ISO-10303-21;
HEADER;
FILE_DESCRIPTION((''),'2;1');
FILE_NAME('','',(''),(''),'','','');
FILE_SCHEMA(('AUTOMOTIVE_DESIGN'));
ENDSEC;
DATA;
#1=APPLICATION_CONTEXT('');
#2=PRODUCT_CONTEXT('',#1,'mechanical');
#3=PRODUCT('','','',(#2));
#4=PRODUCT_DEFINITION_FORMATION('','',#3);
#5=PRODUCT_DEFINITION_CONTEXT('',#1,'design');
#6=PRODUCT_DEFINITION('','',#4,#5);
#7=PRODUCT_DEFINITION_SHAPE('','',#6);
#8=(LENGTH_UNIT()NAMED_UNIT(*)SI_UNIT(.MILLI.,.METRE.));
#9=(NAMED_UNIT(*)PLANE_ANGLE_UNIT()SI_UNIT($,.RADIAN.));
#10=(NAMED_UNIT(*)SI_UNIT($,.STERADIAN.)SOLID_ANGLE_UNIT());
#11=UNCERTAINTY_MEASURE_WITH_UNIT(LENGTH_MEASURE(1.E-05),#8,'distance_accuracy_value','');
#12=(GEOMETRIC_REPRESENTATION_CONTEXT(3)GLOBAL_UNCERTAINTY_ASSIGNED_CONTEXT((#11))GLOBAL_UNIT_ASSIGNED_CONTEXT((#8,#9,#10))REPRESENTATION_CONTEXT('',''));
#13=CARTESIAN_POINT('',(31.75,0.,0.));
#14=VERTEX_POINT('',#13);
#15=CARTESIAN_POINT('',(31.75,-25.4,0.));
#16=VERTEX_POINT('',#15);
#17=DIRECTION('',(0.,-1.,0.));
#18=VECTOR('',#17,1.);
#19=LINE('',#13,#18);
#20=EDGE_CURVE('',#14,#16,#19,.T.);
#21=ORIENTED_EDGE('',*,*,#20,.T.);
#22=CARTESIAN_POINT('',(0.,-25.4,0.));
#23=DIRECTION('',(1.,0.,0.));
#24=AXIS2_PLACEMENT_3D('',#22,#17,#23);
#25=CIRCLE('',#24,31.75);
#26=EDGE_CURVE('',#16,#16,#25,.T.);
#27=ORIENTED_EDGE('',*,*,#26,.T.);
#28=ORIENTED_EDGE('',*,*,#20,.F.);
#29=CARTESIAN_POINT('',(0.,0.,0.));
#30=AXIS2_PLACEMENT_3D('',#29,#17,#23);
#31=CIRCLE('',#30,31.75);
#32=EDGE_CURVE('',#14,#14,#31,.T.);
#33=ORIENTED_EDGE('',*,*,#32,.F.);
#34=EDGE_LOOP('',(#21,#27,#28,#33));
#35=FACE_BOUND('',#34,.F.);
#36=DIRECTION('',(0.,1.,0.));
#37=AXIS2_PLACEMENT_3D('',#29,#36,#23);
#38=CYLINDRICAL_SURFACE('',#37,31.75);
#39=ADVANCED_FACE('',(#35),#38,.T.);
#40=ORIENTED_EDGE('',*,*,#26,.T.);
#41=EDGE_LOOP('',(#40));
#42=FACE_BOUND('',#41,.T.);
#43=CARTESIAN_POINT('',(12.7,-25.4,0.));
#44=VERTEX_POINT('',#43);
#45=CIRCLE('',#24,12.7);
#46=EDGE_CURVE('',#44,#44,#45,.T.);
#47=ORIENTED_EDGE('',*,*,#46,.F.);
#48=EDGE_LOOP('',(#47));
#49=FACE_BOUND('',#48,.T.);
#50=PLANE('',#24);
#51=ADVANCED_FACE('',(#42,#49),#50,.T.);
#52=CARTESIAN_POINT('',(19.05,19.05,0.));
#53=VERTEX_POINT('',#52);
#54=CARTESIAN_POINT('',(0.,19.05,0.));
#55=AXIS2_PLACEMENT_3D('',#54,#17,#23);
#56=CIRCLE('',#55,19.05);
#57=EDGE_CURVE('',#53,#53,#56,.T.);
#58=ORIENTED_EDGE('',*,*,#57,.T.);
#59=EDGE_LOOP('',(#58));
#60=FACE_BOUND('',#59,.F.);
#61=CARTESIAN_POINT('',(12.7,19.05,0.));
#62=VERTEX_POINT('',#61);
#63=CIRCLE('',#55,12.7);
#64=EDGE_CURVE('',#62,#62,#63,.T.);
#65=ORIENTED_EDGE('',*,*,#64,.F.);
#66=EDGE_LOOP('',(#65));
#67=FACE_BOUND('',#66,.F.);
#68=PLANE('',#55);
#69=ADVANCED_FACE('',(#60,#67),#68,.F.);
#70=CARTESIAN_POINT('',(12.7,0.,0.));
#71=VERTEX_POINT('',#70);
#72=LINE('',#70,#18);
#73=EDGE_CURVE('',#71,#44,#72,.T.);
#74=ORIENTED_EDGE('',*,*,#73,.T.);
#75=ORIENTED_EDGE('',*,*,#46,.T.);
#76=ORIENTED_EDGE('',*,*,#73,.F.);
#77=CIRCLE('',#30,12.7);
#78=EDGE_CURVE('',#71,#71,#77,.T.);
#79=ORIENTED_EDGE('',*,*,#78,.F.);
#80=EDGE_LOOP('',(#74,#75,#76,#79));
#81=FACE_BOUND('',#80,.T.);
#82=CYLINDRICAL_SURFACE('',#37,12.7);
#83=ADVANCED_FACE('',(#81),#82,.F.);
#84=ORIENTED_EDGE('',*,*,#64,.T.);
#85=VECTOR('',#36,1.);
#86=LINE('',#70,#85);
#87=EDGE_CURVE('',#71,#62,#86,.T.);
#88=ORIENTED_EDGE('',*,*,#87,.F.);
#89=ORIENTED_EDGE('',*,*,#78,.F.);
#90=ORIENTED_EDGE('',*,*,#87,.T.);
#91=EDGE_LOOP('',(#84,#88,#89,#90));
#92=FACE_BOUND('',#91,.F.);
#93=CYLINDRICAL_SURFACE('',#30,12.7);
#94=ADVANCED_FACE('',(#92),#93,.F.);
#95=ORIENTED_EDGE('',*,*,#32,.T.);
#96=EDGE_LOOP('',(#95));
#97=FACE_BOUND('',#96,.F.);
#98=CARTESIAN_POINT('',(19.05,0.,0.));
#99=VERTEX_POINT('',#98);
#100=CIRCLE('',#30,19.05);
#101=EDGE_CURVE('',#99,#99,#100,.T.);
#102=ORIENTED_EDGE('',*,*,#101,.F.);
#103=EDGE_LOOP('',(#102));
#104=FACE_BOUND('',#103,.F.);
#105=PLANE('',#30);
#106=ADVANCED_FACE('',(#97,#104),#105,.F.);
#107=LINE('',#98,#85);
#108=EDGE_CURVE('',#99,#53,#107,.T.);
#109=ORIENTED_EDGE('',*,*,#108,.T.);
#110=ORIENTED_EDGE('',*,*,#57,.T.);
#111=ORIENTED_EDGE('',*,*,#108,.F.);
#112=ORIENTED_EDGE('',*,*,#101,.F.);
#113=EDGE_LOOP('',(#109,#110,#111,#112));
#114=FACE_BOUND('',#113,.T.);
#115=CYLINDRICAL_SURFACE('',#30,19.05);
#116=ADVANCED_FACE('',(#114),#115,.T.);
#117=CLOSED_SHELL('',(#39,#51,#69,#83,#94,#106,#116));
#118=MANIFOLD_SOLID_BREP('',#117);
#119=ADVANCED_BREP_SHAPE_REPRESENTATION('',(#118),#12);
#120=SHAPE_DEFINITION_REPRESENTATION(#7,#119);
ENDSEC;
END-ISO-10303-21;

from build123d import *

# Parameters (mm, degrees)
F0_R     = 31.75
F0_R_2   = 12.7
F1_DEPTH = 25.4
F2_R     = 19.05
F2_R_2   = 12.7
F3_DEPTH = 19.05


with BuildPart() as f1:
    # F0 (on Front) → F1 (new body)
    with BuildSketch(Plane.XZ):
        Circle(F0_R)
        Circle(F0_R_2, mode=Mode.SUBTRACT)
    extrude(amount=F1_DEPTH)

    # F2 (on Front) → F3 (join)
    with BuildSketch(Plane.XZ):
        Circle(F2_R)
        Circle(F2_R_2, mode=Mode.SUBTRACT)
    extrude(amount=-F3_DEPTH)


solid = f1.part
